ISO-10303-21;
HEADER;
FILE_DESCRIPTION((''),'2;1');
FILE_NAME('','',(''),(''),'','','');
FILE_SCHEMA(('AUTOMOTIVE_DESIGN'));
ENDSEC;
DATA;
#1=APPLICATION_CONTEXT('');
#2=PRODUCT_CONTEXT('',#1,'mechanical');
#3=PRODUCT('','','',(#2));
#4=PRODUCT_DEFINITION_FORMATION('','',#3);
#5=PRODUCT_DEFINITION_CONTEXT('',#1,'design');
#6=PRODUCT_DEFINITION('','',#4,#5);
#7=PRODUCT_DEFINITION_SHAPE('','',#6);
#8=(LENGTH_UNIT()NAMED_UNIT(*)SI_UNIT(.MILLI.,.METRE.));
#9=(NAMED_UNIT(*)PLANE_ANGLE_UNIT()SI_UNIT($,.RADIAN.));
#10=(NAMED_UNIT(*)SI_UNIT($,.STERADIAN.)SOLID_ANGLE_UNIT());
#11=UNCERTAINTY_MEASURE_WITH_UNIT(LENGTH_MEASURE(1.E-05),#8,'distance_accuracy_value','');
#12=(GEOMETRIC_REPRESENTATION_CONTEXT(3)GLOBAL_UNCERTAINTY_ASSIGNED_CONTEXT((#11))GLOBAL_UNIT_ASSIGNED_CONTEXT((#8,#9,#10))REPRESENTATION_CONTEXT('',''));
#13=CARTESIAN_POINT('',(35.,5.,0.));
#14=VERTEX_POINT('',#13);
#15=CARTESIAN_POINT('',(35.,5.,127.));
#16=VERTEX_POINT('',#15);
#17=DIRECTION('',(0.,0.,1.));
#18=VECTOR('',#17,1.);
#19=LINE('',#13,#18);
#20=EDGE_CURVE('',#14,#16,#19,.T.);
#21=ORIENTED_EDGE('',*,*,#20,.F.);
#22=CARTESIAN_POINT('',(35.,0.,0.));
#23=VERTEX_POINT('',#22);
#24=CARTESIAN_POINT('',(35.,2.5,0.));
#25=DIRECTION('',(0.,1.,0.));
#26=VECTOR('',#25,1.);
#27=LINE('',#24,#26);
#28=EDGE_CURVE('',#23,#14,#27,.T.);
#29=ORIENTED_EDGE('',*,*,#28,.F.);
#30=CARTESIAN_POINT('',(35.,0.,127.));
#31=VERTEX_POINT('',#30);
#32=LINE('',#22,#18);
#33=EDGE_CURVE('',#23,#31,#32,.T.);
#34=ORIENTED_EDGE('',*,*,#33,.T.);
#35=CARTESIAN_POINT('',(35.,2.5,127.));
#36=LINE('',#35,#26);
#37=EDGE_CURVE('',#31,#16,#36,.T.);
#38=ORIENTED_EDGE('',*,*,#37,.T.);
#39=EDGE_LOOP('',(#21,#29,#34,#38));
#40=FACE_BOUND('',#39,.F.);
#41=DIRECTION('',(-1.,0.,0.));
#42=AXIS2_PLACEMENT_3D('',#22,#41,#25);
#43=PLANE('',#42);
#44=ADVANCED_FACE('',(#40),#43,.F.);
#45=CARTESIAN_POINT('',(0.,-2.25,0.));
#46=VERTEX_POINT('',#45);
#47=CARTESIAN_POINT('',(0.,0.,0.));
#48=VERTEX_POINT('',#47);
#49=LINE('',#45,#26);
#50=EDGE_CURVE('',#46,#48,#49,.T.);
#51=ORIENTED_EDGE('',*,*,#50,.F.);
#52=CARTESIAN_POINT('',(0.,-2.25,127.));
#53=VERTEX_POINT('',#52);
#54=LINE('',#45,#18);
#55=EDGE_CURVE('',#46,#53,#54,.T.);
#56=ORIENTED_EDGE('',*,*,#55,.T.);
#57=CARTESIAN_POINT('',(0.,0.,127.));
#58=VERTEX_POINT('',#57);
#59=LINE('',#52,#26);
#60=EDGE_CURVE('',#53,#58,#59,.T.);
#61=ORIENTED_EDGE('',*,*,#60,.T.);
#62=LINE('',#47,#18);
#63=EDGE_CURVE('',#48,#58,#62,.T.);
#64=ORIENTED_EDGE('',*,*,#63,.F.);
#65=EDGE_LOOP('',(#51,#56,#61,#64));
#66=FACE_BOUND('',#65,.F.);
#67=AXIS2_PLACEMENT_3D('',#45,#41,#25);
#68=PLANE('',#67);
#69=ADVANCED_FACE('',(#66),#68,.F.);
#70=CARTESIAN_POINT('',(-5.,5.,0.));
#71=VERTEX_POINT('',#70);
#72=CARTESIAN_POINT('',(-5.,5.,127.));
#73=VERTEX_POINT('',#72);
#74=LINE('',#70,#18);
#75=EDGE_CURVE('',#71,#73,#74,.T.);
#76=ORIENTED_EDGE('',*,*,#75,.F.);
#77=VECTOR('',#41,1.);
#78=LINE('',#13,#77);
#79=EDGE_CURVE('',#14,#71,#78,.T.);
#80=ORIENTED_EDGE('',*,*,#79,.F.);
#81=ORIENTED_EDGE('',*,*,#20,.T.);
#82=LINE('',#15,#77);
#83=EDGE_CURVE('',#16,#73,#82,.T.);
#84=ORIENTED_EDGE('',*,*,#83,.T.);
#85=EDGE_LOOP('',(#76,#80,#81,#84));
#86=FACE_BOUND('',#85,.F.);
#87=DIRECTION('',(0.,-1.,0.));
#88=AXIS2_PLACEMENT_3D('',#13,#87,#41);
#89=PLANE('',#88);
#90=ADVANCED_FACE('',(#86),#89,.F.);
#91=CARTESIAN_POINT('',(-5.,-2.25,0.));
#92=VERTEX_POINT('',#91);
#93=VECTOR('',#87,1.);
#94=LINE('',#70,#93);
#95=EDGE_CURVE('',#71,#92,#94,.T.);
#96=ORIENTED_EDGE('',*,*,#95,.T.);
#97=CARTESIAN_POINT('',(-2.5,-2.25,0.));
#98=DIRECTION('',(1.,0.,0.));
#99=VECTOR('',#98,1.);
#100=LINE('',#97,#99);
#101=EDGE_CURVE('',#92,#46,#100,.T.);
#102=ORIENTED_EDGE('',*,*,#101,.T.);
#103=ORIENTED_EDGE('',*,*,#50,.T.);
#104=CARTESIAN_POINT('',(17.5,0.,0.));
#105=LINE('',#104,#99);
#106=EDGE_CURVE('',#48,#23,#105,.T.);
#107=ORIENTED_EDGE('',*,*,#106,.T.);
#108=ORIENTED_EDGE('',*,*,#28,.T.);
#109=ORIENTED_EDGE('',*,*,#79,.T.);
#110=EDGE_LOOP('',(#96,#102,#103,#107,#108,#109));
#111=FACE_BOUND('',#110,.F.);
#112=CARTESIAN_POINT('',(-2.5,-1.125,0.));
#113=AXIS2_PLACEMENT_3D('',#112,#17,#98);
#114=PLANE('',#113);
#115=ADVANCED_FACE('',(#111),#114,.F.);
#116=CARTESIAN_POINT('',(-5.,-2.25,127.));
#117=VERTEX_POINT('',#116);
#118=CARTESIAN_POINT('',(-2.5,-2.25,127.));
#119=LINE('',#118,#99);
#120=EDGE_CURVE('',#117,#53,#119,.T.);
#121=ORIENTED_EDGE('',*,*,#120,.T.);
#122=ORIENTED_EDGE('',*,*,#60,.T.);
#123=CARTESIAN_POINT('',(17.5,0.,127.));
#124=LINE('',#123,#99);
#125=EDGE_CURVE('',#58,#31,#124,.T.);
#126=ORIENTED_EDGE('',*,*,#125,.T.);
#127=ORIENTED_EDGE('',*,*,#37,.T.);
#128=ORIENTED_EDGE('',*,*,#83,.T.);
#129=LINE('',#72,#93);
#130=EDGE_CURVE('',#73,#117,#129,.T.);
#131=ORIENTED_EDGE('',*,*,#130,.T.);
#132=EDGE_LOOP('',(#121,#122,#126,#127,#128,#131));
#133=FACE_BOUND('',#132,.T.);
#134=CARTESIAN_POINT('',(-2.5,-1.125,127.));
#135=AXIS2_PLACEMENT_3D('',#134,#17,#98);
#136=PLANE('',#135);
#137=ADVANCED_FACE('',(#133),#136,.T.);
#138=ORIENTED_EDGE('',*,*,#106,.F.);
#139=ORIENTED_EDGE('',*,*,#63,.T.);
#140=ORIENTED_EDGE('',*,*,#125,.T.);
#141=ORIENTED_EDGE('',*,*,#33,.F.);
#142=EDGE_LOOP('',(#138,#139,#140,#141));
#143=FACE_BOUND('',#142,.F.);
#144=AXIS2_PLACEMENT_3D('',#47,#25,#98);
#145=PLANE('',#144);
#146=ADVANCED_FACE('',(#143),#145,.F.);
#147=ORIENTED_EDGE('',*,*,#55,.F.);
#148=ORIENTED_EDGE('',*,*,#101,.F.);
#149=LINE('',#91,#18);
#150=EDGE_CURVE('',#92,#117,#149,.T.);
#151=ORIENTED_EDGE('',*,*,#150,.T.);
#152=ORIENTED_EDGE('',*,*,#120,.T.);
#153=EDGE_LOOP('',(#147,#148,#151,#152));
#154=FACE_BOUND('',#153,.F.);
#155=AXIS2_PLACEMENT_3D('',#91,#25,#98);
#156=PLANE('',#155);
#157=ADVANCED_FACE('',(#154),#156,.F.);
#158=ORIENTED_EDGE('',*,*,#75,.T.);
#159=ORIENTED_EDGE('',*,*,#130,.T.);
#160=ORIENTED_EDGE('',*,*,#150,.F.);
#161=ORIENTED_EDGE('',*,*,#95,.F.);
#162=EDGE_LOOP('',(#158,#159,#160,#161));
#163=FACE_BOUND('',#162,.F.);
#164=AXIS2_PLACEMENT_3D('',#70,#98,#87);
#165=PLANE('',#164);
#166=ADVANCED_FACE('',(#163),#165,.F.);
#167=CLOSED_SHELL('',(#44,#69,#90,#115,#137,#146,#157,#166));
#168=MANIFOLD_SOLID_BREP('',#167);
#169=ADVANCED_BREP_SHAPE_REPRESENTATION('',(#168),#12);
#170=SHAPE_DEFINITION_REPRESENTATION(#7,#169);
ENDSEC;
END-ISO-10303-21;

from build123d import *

# Parameters (mm, degrees)
F0_W     = 5
F0_H     = 2.25
F0_H_2   = 5
F0_W_2   = 35
F1_DEPTH = 127


with BuildPart() as f1:
    # F0 (on Top) → F1 (new body)
    with BuildSketch(Plane.XY):
        with Locations((-2.5, -1.125)):
            Rectangle(F0_W, F0_H)
        with Locations((-2.5, 2.5)):
            Rectangle(F0_W, F0_H_2)
        with Locations((17.5, 2.5)):
            Rectangle(F0_W_2, F0_H_2)
    extrude(amount=F1_DEPTH)


solid = f1.part
